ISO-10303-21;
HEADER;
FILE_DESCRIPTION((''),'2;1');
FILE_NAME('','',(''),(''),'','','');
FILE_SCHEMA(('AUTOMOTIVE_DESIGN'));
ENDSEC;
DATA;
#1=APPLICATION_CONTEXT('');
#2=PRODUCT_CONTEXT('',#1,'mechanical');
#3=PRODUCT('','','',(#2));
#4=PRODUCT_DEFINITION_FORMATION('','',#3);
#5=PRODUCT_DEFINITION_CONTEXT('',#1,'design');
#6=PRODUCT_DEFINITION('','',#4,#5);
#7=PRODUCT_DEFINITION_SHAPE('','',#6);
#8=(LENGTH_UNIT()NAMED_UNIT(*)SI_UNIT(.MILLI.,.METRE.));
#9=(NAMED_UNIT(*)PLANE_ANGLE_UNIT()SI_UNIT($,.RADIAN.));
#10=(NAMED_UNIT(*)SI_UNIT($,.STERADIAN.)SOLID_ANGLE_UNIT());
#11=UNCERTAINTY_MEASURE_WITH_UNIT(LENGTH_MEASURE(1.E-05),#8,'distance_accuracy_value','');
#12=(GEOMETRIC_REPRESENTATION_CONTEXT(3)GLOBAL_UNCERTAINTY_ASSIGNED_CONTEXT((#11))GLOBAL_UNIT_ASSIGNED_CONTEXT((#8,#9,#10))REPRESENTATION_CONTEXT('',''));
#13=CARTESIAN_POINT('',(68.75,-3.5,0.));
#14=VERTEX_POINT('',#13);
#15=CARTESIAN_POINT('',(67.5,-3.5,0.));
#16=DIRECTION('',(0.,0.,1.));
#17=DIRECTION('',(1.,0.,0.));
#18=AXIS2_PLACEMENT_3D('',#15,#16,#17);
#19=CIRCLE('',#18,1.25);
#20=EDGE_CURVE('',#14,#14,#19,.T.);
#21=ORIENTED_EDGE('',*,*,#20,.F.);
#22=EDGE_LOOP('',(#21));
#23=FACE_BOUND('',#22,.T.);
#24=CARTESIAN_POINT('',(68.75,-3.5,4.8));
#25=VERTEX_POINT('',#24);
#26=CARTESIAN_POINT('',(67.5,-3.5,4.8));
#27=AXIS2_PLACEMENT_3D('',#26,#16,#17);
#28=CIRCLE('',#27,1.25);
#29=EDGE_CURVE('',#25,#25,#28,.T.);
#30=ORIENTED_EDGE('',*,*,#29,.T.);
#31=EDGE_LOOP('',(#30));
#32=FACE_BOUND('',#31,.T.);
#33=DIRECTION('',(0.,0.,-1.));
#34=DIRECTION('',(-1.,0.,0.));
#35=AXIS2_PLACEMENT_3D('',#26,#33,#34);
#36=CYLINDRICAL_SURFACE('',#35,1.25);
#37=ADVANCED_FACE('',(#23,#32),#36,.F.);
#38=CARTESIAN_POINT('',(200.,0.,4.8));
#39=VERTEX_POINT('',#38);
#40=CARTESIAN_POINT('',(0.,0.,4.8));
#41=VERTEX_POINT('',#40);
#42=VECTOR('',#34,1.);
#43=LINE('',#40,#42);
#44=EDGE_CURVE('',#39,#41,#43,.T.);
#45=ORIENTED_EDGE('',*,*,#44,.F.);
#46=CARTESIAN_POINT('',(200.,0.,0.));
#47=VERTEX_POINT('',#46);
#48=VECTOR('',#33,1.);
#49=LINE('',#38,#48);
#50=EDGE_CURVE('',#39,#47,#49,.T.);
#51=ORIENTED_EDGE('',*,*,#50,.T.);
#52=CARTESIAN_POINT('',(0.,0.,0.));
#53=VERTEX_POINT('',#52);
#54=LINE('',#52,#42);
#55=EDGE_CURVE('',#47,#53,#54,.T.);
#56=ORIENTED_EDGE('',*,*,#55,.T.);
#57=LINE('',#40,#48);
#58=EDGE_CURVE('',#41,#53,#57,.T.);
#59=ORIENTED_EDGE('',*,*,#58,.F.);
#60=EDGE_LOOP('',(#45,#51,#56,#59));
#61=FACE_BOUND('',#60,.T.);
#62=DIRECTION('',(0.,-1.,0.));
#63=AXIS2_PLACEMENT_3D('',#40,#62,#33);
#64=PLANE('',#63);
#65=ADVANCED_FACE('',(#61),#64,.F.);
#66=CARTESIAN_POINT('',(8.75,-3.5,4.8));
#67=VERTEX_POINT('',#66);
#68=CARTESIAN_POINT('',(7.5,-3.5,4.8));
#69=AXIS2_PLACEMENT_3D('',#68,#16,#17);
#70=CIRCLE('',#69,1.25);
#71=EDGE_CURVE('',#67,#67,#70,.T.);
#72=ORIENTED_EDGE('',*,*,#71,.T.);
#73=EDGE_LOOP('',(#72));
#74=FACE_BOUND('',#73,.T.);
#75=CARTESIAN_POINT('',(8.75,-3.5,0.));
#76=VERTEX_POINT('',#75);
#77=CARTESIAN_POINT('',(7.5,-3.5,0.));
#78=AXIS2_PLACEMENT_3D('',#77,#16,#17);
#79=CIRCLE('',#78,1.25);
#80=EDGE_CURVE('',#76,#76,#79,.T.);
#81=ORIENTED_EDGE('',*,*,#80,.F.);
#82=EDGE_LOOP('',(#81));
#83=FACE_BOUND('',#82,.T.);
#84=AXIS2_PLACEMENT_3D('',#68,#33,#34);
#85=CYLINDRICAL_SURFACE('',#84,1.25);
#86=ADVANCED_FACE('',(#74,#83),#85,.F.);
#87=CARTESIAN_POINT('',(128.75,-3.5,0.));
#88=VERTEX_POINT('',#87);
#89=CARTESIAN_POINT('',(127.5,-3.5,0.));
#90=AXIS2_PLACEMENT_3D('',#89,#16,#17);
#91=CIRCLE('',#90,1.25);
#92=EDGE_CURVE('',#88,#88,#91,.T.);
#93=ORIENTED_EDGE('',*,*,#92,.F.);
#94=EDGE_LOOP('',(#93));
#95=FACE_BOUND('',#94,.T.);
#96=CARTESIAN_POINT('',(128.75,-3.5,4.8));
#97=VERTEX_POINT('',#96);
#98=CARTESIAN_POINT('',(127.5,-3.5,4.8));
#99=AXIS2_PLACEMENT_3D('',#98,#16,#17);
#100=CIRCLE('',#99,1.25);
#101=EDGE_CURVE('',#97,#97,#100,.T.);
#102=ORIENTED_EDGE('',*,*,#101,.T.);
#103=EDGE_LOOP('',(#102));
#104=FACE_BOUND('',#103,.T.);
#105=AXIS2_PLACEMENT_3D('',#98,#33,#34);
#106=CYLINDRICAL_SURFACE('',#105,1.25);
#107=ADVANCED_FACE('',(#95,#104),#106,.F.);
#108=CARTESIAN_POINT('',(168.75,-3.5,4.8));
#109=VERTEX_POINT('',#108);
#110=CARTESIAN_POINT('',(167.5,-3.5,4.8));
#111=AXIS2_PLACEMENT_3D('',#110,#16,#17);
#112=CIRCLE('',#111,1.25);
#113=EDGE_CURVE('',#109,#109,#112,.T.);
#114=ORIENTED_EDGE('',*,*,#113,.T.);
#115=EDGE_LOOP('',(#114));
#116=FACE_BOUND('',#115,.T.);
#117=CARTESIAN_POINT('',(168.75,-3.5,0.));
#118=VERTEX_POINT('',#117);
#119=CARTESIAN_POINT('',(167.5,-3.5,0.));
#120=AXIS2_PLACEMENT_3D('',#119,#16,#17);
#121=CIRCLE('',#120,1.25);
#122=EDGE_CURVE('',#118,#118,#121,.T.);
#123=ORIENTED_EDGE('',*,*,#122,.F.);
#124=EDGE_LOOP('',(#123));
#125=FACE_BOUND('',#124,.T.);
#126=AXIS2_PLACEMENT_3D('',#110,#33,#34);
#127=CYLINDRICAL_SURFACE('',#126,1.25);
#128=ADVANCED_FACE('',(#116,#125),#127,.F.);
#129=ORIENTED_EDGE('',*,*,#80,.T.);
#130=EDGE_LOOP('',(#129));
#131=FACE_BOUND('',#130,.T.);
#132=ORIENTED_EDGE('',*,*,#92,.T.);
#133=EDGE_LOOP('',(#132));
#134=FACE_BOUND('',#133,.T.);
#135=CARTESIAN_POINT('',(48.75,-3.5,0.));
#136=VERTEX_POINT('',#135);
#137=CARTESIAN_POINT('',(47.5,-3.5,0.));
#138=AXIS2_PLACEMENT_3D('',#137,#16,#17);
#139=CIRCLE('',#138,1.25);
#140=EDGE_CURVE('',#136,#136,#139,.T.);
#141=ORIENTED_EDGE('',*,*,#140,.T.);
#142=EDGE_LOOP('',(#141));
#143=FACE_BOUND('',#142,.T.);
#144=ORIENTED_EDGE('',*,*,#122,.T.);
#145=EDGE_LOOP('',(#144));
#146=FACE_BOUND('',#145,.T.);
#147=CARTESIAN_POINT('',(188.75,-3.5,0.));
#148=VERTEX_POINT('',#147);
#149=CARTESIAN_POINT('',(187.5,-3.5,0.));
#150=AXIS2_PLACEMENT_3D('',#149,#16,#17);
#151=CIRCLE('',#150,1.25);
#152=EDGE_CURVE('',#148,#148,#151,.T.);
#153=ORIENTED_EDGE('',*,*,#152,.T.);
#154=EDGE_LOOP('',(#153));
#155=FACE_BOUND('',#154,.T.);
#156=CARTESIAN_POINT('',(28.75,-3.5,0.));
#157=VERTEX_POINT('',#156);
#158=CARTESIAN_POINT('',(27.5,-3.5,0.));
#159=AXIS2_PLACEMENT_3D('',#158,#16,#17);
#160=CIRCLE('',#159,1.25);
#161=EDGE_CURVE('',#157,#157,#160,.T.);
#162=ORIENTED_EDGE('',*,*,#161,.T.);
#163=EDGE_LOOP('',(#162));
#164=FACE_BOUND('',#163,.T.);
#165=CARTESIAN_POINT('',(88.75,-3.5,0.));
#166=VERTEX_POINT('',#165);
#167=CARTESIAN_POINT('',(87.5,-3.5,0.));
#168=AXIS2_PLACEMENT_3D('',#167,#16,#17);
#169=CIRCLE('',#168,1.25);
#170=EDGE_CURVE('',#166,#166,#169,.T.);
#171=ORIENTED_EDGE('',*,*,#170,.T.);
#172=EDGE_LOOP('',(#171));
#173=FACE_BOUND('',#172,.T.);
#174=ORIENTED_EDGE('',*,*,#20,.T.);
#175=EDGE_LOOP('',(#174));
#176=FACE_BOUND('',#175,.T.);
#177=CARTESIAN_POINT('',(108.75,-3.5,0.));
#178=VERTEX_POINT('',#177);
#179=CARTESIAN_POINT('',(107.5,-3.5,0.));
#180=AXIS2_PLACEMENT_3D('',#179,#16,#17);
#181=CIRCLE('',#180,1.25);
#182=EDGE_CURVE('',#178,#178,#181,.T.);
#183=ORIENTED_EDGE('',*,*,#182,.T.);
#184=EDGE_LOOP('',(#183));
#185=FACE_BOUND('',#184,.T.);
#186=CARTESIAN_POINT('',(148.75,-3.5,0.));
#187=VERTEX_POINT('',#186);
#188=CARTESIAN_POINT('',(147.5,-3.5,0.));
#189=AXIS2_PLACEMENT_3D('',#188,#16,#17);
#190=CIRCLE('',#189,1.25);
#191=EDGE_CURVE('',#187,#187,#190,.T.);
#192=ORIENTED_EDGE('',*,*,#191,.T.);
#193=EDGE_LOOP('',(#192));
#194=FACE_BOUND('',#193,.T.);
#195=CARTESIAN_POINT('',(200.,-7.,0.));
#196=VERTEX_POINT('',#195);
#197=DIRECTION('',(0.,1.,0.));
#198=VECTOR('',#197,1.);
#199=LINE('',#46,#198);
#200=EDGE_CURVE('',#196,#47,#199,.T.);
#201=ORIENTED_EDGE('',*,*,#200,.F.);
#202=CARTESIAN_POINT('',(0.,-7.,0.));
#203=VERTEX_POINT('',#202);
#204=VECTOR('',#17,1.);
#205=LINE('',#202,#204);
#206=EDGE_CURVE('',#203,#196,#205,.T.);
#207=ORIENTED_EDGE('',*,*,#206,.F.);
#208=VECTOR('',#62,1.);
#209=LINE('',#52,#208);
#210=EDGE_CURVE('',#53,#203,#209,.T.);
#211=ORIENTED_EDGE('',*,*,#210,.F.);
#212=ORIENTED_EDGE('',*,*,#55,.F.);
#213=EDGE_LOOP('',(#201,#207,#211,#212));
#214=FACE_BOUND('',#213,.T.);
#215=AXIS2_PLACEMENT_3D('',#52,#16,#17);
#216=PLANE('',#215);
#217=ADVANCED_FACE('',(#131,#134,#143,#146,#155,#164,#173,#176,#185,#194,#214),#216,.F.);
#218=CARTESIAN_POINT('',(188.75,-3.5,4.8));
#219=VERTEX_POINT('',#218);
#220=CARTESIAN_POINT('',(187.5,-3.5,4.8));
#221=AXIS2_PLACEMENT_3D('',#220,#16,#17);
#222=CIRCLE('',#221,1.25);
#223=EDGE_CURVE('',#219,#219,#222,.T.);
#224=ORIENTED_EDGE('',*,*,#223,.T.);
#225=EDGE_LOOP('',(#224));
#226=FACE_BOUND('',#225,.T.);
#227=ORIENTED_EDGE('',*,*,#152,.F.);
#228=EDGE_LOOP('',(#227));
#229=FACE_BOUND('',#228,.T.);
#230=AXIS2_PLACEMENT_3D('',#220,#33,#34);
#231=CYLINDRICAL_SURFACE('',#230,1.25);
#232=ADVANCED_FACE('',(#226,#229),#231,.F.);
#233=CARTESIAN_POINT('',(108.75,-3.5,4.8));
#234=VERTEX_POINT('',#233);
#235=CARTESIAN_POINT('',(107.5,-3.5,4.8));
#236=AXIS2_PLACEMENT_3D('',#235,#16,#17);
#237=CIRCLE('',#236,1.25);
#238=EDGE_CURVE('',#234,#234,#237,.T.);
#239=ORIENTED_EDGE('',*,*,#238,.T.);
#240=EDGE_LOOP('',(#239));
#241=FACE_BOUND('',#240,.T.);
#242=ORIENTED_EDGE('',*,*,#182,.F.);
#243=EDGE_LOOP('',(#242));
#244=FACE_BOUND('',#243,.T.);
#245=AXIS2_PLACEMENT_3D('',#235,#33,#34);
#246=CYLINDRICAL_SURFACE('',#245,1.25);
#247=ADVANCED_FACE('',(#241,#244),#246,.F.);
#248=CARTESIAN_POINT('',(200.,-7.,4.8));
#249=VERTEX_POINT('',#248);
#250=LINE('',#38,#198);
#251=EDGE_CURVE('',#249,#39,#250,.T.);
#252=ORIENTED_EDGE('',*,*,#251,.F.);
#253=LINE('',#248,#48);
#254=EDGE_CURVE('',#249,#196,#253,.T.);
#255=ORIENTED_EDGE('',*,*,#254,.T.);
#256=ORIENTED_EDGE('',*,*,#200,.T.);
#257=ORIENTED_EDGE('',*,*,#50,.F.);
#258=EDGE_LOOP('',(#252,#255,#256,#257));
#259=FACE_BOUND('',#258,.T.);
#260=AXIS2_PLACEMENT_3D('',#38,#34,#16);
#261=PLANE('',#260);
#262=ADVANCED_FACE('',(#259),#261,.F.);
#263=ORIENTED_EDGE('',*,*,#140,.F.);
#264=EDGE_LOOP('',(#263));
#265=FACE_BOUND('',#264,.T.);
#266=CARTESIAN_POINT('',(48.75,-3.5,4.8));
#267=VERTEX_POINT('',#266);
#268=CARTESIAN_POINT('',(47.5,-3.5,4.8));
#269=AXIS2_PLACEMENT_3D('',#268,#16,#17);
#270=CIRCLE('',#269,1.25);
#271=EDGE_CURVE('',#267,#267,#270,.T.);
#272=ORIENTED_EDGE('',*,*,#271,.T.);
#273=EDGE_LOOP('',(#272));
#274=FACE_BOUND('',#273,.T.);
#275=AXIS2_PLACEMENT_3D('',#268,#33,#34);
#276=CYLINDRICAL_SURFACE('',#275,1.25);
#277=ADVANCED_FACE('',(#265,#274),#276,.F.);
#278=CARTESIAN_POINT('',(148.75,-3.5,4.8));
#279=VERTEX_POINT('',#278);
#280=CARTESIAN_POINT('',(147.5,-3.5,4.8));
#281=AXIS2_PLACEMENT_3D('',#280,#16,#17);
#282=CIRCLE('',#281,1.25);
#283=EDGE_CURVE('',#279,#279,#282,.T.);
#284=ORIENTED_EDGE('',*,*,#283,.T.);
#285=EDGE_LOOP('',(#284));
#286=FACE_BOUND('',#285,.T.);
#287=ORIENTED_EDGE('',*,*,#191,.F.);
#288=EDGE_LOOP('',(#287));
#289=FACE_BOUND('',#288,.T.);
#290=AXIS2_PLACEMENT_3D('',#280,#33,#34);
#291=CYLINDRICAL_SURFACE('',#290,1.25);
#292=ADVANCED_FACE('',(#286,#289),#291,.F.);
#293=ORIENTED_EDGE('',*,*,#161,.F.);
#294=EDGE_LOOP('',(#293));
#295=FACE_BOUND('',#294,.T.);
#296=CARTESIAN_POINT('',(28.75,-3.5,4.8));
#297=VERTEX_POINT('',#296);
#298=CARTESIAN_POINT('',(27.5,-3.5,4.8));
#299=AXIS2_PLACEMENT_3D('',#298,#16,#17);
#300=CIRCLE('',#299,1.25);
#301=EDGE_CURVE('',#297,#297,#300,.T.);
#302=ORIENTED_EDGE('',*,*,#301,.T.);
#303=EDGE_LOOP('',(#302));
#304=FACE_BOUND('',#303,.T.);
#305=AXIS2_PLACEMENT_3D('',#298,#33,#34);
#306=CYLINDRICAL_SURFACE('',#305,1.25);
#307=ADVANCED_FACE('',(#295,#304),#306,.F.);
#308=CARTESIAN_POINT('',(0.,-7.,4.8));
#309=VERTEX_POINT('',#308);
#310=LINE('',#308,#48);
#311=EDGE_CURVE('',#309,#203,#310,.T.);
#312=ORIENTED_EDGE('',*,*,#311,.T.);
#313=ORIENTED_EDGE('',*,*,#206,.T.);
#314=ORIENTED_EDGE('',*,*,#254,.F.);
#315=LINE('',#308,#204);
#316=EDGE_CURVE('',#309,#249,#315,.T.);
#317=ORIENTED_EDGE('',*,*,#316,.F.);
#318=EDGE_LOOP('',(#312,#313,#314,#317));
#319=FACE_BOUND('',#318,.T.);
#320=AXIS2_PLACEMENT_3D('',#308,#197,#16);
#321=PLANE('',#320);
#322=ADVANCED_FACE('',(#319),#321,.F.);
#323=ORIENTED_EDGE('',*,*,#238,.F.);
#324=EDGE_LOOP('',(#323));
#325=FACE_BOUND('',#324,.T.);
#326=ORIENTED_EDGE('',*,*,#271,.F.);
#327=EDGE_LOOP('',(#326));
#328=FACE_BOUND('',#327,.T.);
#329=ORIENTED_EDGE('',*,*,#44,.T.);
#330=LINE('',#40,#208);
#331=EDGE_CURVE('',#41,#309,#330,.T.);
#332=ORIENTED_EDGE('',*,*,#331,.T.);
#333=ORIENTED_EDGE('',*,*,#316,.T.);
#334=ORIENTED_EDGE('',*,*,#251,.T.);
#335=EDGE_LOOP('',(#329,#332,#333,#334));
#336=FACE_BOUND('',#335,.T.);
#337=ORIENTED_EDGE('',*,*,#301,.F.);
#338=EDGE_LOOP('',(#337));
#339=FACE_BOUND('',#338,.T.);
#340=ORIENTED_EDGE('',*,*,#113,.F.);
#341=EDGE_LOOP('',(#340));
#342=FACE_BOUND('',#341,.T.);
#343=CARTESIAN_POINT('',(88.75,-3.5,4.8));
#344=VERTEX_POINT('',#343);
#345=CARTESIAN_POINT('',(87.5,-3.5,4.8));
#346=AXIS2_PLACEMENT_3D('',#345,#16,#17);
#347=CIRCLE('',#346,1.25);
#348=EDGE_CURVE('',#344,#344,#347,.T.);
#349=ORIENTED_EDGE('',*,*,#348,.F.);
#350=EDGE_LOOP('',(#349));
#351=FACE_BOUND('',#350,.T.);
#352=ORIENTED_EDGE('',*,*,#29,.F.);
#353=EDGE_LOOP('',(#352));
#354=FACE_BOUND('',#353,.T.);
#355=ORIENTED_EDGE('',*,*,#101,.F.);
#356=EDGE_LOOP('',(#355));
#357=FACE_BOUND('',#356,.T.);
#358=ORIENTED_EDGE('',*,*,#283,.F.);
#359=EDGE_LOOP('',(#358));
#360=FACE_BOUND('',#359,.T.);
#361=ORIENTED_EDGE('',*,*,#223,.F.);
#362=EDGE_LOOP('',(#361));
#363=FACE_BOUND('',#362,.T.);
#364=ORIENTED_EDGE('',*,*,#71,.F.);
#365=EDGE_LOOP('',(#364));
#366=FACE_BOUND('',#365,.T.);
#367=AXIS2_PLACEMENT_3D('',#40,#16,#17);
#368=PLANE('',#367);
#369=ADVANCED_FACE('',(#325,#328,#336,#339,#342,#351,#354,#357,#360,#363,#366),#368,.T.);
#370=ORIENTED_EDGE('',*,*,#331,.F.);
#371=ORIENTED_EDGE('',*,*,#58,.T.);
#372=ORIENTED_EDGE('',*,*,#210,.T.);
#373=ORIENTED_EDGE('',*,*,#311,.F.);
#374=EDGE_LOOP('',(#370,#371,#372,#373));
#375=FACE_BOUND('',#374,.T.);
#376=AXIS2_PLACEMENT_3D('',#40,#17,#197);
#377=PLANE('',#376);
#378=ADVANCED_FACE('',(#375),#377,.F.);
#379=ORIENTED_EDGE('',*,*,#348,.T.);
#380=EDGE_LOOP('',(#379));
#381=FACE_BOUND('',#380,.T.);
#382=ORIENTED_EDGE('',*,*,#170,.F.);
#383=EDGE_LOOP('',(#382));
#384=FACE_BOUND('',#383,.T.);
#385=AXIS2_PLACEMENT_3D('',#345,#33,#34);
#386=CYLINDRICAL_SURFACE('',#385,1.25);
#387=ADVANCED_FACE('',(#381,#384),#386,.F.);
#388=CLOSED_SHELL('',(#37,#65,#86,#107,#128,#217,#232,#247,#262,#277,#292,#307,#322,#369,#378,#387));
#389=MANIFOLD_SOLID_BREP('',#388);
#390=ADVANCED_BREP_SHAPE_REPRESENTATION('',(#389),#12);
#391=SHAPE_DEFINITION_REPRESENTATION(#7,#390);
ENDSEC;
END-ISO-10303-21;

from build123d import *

# Parameters (mm, degrees)
SKETCH_1_W      = 200
SKETCH_1_H      = 7
SKETCH_1_R      = 1.25
EXTRUDE_1_DEPTH = 4.8


with BuildPart() as part:
    # 草图1 → 凸台-拉伸1 (new body)
    with BuildSketch(Plane.XY):
        with Locations((100, -3.5)):
            Rectangle(SKETCH_1_W, SKETCH_1_H)
        with Locations((7.5, -3.5)):
            Circle(SKETCH_1_R, mode=Mode.SUBTRACT)
        with Locations((27.5, -3.5)):
            Circle(SKETCH_1_R, mode=Mode.SUBTRACT)
        with Locations((47.5, -3.5)):
            Circle(SKETCH_1_R, mode=Mode.SUBTRACT)
        with Locations((67.5, -3.5)):
            Circle(SKETCH_1_R, mode=Mode.SUBTRACT)
        with Locations((87.5, -3.5)):
            Circle(SKETCH_1_R, mode=Mode.SUBTRACT)
        with Locations((107.5, -3.5)):
            Circle(SKETCH_1_R, mode=Mode.SUBTRACT)
        with Locations((127.5, -3.5)):
            Circle(SKETCH_1_R, mode=Mode.SUBTRACT)
        with Locations((147.5, -3.5)):
            Circle(SKETCH_1_R, mode=Mode.SUBTRACT)
        with Locations((167.5, -3.5)):
            Circle(SKETCH_1_R, mode=Mode.SUBTRACT)
        with Locations((187.5, -3.5)):
            Circle(SKETCH_1_R, mode=Mode.SUBTRACT)
    extrude(amount=EXTRUDE_1_DEPTH)


solid = part.part
